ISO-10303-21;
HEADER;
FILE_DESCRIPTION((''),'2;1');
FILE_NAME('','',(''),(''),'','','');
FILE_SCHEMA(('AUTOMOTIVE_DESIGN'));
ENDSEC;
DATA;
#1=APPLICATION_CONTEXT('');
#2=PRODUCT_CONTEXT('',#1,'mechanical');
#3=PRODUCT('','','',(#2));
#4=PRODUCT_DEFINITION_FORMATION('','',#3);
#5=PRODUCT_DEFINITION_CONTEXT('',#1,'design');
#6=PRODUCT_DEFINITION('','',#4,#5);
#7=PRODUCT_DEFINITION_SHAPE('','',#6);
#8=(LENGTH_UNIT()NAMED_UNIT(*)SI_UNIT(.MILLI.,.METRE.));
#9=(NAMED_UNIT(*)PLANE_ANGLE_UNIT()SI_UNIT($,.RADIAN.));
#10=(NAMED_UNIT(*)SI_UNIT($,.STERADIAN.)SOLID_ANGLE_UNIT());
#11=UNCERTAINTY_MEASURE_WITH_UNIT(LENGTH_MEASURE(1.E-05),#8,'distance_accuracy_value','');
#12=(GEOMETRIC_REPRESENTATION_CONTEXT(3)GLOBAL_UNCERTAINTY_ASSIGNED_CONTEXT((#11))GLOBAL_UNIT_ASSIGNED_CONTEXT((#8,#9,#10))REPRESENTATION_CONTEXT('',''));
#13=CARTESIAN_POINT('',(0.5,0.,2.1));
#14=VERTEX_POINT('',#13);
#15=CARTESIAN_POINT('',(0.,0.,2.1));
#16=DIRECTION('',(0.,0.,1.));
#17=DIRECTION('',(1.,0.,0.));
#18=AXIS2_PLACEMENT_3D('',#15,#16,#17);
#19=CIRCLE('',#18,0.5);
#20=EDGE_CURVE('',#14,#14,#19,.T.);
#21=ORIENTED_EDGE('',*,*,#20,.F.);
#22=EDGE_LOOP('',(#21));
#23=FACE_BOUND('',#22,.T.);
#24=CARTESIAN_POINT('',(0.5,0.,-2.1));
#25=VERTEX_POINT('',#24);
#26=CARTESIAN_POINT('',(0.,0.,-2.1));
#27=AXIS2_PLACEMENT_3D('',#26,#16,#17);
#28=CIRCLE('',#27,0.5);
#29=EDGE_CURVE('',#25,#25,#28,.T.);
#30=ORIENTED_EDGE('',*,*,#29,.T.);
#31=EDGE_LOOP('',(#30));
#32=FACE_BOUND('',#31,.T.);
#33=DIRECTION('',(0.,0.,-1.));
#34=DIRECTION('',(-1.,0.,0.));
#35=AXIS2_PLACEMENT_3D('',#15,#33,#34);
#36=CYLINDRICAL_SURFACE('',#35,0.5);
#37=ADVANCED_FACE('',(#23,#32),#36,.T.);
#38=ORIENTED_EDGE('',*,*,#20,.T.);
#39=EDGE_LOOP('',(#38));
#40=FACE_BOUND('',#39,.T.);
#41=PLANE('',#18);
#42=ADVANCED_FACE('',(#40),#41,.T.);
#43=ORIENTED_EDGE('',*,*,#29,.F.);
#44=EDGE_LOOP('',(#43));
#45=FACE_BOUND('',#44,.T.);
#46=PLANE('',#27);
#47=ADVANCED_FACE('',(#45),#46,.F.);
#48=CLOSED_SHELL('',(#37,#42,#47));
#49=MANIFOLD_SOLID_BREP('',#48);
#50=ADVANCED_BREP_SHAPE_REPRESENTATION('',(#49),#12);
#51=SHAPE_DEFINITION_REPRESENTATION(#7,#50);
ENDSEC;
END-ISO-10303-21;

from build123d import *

# Parameters (mm, degrees)
ESQUISSE1_R          = 0.5
BASE_EXTRUSION_DEPTH = 2.1


with BuildPart() as part:
    # Esquisse1 → Base-Extrusion (new body, symmetric)
    with BuildSketch(Plane.XY):
        Circle(ESQUISSE1_R)
    extrude(amount=BASE_EXTRUSION_DEPTH, both=True)


solid = part.part
